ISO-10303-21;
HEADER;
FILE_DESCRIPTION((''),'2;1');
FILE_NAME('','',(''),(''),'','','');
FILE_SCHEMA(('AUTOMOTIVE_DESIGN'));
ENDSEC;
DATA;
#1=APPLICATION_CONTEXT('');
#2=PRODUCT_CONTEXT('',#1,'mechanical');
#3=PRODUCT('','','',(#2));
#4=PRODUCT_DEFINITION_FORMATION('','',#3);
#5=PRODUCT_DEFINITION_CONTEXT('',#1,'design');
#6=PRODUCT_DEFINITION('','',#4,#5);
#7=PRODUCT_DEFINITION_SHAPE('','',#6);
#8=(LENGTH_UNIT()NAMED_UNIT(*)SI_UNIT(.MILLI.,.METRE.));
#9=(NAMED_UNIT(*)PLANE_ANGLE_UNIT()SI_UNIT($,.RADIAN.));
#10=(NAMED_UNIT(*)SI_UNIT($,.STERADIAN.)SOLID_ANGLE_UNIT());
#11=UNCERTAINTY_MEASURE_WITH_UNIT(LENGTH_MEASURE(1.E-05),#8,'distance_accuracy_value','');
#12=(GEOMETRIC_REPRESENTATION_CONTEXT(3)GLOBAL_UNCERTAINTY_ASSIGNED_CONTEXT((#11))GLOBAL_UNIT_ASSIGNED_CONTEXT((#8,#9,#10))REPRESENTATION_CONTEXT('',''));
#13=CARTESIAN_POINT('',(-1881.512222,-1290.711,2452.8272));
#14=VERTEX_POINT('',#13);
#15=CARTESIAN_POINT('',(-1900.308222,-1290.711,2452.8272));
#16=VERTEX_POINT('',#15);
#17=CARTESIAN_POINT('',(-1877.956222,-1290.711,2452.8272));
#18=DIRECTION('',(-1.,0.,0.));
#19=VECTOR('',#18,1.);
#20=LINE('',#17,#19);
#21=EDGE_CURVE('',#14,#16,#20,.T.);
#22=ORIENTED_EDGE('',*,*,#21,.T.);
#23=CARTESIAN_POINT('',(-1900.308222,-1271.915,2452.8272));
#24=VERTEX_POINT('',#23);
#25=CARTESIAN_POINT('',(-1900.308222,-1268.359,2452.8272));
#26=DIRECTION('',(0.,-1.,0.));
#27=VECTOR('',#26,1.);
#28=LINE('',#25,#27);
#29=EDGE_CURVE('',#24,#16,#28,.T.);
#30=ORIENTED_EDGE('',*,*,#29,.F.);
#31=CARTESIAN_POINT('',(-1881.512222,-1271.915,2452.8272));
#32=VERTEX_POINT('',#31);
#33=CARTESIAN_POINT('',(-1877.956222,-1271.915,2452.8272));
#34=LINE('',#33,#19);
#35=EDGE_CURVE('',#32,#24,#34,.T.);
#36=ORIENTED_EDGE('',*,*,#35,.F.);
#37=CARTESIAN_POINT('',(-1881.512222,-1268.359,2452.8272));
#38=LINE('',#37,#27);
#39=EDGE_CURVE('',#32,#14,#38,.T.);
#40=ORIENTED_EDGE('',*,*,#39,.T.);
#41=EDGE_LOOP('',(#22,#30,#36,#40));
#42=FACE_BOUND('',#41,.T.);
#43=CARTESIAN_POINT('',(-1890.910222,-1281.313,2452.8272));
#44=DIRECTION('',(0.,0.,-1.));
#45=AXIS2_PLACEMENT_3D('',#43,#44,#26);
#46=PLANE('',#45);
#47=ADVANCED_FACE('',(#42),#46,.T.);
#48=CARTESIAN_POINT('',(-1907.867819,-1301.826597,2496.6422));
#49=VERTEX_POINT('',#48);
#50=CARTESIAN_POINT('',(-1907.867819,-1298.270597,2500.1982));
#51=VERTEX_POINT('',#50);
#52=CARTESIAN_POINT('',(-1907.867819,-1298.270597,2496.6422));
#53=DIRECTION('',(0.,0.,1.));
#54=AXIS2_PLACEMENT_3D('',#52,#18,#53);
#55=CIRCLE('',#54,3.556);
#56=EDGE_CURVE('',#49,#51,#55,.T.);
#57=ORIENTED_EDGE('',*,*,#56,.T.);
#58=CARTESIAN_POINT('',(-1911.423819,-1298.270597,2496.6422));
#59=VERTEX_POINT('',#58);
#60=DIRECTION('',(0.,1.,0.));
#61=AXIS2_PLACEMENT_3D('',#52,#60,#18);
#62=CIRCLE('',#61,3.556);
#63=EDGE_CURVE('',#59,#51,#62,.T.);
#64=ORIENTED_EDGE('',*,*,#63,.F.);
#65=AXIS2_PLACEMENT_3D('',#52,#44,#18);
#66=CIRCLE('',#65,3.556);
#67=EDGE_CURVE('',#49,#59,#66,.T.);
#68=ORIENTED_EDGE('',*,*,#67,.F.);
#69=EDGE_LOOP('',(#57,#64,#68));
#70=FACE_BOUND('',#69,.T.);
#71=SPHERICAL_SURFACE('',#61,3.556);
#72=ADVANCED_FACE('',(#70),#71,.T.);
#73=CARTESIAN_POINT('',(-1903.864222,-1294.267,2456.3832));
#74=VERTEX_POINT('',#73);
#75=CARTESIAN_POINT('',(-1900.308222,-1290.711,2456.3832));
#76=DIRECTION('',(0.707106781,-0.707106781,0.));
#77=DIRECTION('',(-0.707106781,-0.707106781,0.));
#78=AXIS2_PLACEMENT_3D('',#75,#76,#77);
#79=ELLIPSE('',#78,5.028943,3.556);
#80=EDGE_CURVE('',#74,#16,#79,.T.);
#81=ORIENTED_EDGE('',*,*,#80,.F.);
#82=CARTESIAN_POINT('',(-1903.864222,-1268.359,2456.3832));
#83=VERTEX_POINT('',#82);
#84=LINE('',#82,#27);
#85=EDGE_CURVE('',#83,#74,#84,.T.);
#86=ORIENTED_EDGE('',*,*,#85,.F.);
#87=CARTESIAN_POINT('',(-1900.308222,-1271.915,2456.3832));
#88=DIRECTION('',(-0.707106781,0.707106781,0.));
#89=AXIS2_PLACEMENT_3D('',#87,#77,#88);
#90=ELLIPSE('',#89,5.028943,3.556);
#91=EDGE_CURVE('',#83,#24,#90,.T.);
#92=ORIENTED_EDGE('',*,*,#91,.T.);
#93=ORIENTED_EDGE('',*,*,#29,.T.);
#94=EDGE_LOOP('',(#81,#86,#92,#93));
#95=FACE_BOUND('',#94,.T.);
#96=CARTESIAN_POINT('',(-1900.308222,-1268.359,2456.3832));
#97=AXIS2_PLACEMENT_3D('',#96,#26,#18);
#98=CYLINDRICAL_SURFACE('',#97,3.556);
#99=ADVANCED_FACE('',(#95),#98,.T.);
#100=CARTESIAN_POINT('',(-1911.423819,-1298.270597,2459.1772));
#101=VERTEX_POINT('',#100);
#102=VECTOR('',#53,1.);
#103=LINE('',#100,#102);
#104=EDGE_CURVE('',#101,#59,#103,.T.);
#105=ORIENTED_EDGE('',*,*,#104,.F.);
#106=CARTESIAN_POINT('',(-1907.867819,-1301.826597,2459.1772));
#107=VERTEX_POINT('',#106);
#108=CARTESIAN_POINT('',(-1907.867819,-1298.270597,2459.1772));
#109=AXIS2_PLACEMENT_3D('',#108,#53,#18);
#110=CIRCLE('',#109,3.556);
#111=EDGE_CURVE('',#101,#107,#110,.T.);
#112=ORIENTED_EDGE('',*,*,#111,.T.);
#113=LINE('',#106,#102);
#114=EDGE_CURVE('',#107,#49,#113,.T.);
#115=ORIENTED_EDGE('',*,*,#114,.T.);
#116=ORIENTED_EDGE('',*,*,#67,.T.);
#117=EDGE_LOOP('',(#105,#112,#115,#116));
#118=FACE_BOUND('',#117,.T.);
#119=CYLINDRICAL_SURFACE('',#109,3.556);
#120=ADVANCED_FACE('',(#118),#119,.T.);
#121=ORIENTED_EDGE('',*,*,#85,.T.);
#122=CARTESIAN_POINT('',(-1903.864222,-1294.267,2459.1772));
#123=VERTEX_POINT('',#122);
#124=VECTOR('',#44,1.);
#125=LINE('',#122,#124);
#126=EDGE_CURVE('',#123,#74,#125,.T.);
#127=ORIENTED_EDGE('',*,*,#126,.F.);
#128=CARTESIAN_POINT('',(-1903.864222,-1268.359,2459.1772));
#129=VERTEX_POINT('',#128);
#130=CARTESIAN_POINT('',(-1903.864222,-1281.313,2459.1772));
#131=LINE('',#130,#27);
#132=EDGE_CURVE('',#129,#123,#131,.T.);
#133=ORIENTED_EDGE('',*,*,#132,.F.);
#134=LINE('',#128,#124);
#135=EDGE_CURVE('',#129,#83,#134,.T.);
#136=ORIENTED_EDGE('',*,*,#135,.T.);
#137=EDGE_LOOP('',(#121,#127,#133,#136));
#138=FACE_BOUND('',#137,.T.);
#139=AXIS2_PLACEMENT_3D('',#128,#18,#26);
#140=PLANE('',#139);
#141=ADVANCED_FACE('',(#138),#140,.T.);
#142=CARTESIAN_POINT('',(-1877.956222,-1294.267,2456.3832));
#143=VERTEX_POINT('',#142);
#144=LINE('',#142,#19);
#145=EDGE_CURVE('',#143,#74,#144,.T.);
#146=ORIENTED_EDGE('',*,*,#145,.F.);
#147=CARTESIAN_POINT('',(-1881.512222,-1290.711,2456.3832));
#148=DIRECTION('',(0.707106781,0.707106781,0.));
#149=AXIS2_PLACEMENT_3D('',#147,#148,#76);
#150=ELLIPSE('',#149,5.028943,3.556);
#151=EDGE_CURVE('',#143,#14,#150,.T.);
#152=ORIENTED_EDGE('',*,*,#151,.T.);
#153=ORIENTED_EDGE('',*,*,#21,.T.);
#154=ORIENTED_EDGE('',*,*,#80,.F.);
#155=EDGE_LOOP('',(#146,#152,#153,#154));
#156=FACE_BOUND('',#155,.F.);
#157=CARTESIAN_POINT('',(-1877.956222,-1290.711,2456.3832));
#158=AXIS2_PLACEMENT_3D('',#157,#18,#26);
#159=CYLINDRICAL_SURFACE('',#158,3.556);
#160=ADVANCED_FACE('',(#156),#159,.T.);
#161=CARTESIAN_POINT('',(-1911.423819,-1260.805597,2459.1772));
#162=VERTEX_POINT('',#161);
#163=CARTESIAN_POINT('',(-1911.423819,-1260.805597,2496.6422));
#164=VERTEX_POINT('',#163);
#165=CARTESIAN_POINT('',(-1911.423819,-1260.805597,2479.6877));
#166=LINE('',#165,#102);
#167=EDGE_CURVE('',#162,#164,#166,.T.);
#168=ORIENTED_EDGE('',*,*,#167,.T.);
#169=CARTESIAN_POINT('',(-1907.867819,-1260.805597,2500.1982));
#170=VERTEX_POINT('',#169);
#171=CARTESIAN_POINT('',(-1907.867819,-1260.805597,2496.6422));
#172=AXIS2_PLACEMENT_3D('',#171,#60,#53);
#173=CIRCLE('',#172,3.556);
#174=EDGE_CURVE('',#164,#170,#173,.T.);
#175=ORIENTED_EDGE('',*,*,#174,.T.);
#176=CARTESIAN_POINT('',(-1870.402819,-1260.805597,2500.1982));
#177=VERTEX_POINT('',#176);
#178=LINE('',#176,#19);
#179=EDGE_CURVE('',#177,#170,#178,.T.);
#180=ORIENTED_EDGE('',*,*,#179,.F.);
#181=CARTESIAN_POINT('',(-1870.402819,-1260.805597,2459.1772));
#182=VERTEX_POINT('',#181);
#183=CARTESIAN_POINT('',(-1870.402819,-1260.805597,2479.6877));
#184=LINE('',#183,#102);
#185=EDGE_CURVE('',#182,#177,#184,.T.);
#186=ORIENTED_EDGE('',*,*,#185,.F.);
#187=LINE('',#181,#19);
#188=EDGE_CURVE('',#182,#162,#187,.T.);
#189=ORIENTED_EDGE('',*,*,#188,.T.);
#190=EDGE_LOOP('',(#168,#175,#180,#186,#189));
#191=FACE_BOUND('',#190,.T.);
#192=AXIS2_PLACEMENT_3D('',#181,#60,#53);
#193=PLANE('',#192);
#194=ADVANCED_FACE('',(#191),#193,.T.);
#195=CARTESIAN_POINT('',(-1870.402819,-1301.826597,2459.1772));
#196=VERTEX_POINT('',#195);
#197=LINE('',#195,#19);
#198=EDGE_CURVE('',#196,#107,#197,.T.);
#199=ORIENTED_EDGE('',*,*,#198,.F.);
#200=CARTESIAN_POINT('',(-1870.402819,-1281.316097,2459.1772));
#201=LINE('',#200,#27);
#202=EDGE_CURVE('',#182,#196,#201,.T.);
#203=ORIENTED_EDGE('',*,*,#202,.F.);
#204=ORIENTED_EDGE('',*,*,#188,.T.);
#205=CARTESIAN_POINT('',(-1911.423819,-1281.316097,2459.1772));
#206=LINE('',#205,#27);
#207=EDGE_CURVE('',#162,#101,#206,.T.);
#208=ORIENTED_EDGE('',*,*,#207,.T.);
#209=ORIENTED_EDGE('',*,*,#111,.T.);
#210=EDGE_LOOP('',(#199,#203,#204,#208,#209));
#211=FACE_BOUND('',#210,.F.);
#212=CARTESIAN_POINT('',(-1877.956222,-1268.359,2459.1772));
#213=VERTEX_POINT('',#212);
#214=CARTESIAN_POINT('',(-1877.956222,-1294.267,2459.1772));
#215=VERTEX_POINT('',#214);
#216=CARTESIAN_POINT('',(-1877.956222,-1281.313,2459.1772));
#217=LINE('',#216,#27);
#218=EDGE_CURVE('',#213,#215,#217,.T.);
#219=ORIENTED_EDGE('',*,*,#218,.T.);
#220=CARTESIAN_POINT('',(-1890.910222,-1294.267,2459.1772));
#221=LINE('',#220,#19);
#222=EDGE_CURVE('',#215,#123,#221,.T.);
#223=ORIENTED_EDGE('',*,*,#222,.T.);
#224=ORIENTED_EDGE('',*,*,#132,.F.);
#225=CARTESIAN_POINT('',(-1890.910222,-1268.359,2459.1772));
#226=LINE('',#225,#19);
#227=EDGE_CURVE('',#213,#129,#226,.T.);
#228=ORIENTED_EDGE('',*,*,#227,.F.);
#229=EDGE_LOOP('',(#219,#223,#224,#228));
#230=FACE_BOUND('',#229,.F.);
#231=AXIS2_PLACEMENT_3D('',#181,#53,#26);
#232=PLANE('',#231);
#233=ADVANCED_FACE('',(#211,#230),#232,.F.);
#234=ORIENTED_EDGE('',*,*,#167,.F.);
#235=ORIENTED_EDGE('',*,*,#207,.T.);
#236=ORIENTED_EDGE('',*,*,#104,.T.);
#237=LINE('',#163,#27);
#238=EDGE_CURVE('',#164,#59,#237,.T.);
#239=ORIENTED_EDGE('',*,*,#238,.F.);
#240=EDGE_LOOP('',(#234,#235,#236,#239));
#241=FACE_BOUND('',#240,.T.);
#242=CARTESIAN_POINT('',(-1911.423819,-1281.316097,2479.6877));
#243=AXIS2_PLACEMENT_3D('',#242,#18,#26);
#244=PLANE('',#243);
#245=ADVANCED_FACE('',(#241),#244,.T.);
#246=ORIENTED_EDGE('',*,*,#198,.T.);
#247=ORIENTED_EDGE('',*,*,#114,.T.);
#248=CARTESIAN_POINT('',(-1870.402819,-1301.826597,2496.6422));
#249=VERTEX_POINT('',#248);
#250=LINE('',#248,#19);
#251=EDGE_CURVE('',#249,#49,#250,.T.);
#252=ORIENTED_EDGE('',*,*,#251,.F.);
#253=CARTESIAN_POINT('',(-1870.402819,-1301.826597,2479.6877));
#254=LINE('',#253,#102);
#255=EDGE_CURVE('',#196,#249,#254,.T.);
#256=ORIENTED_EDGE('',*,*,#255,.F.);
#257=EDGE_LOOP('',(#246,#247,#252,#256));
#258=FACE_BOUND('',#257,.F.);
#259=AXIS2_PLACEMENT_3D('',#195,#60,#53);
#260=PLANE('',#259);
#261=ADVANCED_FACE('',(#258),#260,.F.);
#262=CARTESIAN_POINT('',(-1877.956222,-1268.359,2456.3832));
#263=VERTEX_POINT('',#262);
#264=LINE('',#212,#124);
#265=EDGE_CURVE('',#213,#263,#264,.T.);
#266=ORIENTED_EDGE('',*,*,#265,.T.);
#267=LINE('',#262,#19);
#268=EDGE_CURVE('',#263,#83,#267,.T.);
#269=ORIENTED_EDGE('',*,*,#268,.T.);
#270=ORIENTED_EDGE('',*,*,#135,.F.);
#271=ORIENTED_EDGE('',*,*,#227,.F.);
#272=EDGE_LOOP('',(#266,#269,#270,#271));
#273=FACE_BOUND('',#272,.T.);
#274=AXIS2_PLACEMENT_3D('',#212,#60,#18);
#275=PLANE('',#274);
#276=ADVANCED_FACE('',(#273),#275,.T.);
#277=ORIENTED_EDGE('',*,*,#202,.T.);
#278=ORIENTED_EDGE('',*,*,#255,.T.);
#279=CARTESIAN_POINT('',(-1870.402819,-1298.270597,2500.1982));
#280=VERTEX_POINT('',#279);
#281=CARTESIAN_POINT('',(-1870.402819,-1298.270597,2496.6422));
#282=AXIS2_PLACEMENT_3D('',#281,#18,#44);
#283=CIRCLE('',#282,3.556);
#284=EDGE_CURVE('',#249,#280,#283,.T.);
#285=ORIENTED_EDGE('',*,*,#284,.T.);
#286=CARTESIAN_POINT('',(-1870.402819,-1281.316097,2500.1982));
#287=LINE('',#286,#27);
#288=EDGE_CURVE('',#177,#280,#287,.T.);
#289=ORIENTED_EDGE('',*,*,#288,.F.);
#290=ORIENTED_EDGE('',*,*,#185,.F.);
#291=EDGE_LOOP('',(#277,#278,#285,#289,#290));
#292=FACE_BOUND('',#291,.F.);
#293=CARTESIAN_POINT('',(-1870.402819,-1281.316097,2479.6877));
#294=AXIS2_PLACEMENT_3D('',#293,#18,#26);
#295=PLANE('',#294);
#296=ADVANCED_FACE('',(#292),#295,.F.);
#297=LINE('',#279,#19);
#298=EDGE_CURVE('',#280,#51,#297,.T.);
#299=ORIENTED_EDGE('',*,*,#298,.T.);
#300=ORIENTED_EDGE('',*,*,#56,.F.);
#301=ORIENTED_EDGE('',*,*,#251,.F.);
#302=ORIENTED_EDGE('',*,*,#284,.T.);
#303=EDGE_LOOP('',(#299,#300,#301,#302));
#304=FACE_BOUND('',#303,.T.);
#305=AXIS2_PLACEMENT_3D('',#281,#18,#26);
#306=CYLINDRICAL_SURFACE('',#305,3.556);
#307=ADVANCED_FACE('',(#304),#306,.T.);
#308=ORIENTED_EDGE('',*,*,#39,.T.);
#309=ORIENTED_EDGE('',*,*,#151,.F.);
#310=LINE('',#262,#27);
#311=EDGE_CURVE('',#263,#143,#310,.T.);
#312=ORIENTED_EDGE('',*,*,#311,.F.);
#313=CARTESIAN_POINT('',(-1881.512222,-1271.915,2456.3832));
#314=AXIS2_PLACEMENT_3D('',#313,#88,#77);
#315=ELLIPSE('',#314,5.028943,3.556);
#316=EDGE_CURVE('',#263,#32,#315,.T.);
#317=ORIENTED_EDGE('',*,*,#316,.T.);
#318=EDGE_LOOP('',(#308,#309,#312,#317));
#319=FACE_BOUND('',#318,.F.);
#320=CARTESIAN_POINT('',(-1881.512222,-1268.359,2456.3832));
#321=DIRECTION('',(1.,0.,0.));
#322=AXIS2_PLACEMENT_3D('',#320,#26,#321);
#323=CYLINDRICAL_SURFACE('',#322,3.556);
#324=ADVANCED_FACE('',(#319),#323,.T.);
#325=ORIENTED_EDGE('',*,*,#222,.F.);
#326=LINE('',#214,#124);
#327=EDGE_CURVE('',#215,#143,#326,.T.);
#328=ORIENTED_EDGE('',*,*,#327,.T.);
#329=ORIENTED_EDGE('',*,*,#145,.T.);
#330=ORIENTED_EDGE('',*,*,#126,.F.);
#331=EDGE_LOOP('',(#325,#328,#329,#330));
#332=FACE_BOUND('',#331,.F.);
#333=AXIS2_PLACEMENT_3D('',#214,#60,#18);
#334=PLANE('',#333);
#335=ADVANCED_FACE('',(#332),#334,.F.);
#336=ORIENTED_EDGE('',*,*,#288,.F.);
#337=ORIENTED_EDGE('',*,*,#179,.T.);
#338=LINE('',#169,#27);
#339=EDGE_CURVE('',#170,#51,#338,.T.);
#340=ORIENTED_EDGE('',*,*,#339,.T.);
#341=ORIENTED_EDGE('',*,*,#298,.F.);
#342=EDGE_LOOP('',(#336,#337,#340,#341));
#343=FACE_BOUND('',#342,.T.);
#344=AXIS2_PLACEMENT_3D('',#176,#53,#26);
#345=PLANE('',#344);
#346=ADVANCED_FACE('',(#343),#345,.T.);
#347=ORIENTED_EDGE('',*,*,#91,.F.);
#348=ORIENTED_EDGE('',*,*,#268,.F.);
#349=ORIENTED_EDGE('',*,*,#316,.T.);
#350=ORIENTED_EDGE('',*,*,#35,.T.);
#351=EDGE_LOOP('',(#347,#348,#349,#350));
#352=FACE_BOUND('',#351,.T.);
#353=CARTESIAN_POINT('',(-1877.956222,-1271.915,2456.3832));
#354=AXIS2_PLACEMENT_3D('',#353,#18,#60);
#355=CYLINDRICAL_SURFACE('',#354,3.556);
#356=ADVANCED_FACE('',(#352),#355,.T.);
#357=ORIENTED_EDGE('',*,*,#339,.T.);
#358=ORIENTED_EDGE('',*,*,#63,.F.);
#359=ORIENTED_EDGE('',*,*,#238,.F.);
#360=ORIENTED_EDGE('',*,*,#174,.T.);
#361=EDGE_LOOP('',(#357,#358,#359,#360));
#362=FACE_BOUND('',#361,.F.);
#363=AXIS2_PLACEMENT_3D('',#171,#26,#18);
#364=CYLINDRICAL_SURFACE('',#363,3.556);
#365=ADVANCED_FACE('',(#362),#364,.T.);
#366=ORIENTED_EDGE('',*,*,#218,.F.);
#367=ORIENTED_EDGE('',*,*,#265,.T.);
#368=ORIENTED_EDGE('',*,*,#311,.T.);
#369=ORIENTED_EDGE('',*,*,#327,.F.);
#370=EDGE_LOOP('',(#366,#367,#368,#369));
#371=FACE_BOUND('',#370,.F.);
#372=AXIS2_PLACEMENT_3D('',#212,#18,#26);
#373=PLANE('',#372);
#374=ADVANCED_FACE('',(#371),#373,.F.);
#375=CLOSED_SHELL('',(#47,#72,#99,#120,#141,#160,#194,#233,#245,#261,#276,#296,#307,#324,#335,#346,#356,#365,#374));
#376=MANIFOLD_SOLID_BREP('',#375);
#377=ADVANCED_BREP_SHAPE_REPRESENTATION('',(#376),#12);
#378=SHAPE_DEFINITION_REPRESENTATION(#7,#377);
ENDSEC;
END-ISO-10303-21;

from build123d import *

# Parameters (mm, degrees)
SKETCH060_W             = 41.021
SKETCH060_H             = 41.021
PAD050_DEPTH            = 41.021
SKETCH059_W             = 25.908
SKETCH059_H             = 25.908
PAD049_DEPTH            = 6.35
FILLET005_R             = 3.556
FILLET004_R             = 3.556
BODY041_PLACEMENT_ANGLE = 270


with BuildPart() as part:
    # Sketch060 → Pad050 (new body)
    with BuildSketch(Plane.XZ):
        with Locations((20.5105, 20.5105)):
            Rectangle(SKETCH060_W, SKETCH060_H)
    extrude(amount=PAD050_DEPTH)

    # Sketch059 (on Face3 of Pad050) → Pad049 (join)
    with BuildSketch(Plane(origin=(0, 0, 0), x_dir=(1, 0, 0), z_dir=(0, 0, -1))):
        with Locations((20.507403, 20.507403)):
            Rectangle(SKETCH059_W, SKETCH059_H)
    extrude(amount=PAD049_DEPTH)

    # Fillet005
    fillet005_edges = [part.edges().sort_by_distance(p)[0] for p in [
        (7.553403, -20.507403, -6.35),
        (20.507403, -33.461403, -6.35),
        (20.507403, -7.553403, -6.35),
        (33.461403, -20.507403, -6.35),
    ]]
    fillet(fillet005_edges, radius=FILLET005_R)

    # Fillet004
    fillet004_edges = [part.edges().sort_by_distance(p)[0] for p in [
        (20.5105, -41.021, 41.021),
        (41.021, -41.021, 20.5105),
        (41.021, -20.5105, 41.021),
    ]]
    fillet(fillet004_edges, radius=FILLET004_R)


with BuildPart() as part_1:
    # Body041 placement: moved
    add(part.part.moved(Location((-1870.402819, -1260.805597, 2459.1772))).rotate(Axis((-1870.402819, -1260.805597, 2459.1772), (0, 0, 1)), BODY041_PLACEMENT_ANGLE))


solid = part_1.part
